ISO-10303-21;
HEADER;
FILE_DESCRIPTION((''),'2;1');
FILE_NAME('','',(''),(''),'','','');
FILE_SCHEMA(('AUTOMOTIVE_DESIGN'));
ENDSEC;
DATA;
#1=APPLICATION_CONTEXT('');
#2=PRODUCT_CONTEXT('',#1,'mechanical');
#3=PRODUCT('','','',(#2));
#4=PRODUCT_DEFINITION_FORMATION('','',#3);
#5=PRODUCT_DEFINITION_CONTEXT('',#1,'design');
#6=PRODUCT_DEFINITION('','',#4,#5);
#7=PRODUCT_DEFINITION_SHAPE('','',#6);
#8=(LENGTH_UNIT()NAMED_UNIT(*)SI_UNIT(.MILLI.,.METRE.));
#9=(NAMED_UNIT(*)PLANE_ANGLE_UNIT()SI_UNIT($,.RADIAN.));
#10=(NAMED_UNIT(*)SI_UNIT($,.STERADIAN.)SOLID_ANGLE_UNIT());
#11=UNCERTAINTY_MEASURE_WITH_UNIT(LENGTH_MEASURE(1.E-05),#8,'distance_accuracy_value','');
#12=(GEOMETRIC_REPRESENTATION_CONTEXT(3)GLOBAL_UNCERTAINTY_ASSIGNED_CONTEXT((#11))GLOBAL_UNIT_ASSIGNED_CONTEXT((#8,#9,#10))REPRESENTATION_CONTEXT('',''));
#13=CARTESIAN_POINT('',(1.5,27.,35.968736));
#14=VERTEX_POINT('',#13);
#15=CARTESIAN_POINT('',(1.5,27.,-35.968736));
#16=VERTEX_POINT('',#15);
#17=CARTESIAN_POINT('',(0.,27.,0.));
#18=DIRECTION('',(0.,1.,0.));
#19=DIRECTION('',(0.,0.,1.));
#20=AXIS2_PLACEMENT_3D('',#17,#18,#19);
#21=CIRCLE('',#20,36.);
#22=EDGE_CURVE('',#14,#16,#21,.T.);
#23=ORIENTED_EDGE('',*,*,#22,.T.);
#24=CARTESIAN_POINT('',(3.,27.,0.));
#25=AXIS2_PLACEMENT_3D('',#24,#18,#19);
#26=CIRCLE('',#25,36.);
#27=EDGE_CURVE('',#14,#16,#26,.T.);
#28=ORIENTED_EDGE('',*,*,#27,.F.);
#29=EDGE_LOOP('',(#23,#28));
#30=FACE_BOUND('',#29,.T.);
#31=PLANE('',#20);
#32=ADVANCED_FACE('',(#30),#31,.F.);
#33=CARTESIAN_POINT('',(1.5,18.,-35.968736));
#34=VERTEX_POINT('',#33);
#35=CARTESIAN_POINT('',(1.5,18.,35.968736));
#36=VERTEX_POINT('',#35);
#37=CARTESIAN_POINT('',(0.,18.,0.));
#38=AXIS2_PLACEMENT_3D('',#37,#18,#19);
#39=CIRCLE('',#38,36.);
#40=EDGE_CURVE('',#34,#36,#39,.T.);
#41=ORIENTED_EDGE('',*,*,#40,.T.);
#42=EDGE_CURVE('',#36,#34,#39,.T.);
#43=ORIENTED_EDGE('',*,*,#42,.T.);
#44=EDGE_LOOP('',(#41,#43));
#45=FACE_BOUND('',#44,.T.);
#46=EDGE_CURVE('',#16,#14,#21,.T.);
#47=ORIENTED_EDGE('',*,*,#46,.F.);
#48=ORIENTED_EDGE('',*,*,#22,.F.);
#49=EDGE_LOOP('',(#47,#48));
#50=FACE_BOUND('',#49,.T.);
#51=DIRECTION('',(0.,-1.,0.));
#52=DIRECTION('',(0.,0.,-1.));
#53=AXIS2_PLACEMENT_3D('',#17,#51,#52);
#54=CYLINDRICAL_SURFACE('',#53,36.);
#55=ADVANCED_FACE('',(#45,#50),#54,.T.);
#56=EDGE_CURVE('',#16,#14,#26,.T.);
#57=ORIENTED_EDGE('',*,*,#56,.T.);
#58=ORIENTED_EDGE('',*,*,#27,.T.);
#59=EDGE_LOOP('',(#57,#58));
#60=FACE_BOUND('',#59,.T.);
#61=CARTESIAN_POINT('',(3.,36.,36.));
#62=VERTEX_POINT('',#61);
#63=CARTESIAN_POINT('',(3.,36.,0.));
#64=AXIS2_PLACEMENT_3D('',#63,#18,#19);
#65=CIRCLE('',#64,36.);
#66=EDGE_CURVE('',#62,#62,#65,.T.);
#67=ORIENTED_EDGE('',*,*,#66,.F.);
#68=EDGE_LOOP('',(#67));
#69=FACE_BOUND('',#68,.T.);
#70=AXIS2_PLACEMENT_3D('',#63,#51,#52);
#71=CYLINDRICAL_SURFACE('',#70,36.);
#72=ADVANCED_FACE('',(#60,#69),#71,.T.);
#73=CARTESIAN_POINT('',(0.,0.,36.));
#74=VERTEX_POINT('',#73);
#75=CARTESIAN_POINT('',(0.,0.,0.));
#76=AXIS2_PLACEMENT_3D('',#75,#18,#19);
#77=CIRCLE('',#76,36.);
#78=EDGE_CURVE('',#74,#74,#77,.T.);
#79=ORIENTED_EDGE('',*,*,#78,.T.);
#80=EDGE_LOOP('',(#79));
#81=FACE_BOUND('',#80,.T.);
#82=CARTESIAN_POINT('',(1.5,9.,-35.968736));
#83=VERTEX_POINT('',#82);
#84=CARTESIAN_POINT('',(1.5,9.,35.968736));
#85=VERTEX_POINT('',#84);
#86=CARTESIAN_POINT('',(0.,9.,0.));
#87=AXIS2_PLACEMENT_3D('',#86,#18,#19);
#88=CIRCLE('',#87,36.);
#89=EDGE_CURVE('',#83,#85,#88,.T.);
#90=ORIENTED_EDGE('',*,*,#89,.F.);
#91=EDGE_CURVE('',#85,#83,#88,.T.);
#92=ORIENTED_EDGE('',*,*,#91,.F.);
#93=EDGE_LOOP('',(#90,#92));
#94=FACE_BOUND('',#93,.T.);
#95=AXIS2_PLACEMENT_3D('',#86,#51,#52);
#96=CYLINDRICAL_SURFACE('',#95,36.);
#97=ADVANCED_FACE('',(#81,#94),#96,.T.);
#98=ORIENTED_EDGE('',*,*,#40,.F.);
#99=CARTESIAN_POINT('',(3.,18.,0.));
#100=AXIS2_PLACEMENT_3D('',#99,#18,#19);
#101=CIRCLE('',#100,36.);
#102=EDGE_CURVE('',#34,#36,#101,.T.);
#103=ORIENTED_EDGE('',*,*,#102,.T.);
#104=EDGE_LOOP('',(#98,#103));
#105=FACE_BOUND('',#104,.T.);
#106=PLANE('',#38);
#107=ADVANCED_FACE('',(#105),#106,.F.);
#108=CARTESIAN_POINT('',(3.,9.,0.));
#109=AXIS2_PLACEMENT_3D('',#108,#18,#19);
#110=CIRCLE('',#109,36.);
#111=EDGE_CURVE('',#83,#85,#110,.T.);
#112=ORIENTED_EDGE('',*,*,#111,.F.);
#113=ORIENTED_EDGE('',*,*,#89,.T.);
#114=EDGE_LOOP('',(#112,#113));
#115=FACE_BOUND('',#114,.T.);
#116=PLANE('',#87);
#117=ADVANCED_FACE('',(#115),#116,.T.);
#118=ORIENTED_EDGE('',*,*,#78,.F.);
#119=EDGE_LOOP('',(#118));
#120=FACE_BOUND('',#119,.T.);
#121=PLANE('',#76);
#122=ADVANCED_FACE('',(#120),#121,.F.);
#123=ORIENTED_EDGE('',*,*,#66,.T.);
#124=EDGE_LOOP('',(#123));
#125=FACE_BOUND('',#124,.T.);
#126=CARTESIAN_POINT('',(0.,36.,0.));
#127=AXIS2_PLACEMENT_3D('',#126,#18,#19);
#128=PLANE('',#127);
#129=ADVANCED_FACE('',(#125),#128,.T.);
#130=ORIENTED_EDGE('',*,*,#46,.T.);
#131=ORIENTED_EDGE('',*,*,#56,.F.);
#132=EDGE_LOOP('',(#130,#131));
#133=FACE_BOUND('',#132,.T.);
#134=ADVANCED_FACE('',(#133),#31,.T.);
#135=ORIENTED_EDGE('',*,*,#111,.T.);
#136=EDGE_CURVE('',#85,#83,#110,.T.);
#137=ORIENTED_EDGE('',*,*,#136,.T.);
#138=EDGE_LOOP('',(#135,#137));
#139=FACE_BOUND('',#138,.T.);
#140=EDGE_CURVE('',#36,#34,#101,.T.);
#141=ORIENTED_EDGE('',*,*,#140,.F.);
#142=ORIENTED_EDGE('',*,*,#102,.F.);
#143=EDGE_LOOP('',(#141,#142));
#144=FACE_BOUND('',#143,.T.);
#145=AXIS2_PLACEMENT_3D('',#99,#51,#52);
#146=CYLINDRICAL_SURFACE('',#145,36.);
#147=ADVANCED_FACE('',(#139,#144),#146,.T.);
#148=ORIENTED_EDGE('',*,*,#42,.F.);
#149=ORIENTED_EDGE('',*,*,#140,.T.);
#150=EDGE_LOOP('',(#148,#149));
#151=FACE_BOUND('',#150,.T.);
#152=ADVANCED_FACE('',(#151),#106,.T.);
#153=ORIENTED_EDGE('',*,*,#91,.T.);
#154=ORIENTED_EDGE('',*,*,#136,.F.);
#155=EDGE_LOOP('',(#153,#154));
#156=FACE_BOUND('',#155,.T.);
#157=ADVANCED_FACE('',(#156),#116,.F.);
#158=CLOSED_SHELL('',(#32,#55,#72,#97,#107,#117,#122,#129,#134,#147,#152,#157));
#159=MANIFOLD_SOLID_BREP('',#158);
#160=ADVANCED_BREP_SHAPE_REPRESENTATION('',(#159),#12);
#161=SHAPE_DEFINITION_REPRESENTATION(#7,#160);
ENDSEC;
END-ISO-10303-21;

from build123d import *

# Parameters (mm, degrees)
SKETCH1_R           = 36
BOSS_EXTRUDE1_DEPTH = 9
SKETCH2_R           = 36
BOSS_EXTRUDE2_DEPTH = 9
SKETCH3_R           = 36
BOSS_EXTRUDE3_DEPTH = 9
SKETCH4_R           = 36
BOSS_EXTRUDE4_DEPTH = 9


with BuildPart() as part:
    # Sketch1 → Boss-Extrude1 (new body)
    with BuildSketch(Plane(origin=(0, 0, 0), x_dir=(1, 0, 0), z_dir=(0, 1, 0))):
        Circle(SKETCH1_R)
    extrude(amount=BOSS_EXTRUDE1_DEPTH)

    # Sketch2 → Boss-Extrude2 (add)
    with BuildSketch(Plane(origin=(0, 9, 0), x_dir=(1, 0, 0), z_dir=(0, 1, 0))):
        with Locations((3, 0)):
            Circle(SKETCH2_R)
    extrude(amount=BOSS_EXTRUDE2_DEPTH)

    # Sketch3 → Boss-Extrude3 (add)
    with BuildSketch(Plane(origin=(0, 18, 0), x_dir=(1, 0, 0), z_dir=(0, 1, 0))):
        Circle(SKETCH3_R)
    extrude(amount=BOSS_EXTRUDE3_DEPTH)

    # Sketch4 → Boss-Extrude4 (add)
    with BuildSketch(Plane(origin=(0, 27, 0), x_dir=(1, 0, 0), z_dir=(0, 1, 0))):
        with Locations((3, 0)):
            Circle(SKETCH4_R)
    extrude(amount=BOSS_EXTRUDE4_DEPTH)


solid = part.part
